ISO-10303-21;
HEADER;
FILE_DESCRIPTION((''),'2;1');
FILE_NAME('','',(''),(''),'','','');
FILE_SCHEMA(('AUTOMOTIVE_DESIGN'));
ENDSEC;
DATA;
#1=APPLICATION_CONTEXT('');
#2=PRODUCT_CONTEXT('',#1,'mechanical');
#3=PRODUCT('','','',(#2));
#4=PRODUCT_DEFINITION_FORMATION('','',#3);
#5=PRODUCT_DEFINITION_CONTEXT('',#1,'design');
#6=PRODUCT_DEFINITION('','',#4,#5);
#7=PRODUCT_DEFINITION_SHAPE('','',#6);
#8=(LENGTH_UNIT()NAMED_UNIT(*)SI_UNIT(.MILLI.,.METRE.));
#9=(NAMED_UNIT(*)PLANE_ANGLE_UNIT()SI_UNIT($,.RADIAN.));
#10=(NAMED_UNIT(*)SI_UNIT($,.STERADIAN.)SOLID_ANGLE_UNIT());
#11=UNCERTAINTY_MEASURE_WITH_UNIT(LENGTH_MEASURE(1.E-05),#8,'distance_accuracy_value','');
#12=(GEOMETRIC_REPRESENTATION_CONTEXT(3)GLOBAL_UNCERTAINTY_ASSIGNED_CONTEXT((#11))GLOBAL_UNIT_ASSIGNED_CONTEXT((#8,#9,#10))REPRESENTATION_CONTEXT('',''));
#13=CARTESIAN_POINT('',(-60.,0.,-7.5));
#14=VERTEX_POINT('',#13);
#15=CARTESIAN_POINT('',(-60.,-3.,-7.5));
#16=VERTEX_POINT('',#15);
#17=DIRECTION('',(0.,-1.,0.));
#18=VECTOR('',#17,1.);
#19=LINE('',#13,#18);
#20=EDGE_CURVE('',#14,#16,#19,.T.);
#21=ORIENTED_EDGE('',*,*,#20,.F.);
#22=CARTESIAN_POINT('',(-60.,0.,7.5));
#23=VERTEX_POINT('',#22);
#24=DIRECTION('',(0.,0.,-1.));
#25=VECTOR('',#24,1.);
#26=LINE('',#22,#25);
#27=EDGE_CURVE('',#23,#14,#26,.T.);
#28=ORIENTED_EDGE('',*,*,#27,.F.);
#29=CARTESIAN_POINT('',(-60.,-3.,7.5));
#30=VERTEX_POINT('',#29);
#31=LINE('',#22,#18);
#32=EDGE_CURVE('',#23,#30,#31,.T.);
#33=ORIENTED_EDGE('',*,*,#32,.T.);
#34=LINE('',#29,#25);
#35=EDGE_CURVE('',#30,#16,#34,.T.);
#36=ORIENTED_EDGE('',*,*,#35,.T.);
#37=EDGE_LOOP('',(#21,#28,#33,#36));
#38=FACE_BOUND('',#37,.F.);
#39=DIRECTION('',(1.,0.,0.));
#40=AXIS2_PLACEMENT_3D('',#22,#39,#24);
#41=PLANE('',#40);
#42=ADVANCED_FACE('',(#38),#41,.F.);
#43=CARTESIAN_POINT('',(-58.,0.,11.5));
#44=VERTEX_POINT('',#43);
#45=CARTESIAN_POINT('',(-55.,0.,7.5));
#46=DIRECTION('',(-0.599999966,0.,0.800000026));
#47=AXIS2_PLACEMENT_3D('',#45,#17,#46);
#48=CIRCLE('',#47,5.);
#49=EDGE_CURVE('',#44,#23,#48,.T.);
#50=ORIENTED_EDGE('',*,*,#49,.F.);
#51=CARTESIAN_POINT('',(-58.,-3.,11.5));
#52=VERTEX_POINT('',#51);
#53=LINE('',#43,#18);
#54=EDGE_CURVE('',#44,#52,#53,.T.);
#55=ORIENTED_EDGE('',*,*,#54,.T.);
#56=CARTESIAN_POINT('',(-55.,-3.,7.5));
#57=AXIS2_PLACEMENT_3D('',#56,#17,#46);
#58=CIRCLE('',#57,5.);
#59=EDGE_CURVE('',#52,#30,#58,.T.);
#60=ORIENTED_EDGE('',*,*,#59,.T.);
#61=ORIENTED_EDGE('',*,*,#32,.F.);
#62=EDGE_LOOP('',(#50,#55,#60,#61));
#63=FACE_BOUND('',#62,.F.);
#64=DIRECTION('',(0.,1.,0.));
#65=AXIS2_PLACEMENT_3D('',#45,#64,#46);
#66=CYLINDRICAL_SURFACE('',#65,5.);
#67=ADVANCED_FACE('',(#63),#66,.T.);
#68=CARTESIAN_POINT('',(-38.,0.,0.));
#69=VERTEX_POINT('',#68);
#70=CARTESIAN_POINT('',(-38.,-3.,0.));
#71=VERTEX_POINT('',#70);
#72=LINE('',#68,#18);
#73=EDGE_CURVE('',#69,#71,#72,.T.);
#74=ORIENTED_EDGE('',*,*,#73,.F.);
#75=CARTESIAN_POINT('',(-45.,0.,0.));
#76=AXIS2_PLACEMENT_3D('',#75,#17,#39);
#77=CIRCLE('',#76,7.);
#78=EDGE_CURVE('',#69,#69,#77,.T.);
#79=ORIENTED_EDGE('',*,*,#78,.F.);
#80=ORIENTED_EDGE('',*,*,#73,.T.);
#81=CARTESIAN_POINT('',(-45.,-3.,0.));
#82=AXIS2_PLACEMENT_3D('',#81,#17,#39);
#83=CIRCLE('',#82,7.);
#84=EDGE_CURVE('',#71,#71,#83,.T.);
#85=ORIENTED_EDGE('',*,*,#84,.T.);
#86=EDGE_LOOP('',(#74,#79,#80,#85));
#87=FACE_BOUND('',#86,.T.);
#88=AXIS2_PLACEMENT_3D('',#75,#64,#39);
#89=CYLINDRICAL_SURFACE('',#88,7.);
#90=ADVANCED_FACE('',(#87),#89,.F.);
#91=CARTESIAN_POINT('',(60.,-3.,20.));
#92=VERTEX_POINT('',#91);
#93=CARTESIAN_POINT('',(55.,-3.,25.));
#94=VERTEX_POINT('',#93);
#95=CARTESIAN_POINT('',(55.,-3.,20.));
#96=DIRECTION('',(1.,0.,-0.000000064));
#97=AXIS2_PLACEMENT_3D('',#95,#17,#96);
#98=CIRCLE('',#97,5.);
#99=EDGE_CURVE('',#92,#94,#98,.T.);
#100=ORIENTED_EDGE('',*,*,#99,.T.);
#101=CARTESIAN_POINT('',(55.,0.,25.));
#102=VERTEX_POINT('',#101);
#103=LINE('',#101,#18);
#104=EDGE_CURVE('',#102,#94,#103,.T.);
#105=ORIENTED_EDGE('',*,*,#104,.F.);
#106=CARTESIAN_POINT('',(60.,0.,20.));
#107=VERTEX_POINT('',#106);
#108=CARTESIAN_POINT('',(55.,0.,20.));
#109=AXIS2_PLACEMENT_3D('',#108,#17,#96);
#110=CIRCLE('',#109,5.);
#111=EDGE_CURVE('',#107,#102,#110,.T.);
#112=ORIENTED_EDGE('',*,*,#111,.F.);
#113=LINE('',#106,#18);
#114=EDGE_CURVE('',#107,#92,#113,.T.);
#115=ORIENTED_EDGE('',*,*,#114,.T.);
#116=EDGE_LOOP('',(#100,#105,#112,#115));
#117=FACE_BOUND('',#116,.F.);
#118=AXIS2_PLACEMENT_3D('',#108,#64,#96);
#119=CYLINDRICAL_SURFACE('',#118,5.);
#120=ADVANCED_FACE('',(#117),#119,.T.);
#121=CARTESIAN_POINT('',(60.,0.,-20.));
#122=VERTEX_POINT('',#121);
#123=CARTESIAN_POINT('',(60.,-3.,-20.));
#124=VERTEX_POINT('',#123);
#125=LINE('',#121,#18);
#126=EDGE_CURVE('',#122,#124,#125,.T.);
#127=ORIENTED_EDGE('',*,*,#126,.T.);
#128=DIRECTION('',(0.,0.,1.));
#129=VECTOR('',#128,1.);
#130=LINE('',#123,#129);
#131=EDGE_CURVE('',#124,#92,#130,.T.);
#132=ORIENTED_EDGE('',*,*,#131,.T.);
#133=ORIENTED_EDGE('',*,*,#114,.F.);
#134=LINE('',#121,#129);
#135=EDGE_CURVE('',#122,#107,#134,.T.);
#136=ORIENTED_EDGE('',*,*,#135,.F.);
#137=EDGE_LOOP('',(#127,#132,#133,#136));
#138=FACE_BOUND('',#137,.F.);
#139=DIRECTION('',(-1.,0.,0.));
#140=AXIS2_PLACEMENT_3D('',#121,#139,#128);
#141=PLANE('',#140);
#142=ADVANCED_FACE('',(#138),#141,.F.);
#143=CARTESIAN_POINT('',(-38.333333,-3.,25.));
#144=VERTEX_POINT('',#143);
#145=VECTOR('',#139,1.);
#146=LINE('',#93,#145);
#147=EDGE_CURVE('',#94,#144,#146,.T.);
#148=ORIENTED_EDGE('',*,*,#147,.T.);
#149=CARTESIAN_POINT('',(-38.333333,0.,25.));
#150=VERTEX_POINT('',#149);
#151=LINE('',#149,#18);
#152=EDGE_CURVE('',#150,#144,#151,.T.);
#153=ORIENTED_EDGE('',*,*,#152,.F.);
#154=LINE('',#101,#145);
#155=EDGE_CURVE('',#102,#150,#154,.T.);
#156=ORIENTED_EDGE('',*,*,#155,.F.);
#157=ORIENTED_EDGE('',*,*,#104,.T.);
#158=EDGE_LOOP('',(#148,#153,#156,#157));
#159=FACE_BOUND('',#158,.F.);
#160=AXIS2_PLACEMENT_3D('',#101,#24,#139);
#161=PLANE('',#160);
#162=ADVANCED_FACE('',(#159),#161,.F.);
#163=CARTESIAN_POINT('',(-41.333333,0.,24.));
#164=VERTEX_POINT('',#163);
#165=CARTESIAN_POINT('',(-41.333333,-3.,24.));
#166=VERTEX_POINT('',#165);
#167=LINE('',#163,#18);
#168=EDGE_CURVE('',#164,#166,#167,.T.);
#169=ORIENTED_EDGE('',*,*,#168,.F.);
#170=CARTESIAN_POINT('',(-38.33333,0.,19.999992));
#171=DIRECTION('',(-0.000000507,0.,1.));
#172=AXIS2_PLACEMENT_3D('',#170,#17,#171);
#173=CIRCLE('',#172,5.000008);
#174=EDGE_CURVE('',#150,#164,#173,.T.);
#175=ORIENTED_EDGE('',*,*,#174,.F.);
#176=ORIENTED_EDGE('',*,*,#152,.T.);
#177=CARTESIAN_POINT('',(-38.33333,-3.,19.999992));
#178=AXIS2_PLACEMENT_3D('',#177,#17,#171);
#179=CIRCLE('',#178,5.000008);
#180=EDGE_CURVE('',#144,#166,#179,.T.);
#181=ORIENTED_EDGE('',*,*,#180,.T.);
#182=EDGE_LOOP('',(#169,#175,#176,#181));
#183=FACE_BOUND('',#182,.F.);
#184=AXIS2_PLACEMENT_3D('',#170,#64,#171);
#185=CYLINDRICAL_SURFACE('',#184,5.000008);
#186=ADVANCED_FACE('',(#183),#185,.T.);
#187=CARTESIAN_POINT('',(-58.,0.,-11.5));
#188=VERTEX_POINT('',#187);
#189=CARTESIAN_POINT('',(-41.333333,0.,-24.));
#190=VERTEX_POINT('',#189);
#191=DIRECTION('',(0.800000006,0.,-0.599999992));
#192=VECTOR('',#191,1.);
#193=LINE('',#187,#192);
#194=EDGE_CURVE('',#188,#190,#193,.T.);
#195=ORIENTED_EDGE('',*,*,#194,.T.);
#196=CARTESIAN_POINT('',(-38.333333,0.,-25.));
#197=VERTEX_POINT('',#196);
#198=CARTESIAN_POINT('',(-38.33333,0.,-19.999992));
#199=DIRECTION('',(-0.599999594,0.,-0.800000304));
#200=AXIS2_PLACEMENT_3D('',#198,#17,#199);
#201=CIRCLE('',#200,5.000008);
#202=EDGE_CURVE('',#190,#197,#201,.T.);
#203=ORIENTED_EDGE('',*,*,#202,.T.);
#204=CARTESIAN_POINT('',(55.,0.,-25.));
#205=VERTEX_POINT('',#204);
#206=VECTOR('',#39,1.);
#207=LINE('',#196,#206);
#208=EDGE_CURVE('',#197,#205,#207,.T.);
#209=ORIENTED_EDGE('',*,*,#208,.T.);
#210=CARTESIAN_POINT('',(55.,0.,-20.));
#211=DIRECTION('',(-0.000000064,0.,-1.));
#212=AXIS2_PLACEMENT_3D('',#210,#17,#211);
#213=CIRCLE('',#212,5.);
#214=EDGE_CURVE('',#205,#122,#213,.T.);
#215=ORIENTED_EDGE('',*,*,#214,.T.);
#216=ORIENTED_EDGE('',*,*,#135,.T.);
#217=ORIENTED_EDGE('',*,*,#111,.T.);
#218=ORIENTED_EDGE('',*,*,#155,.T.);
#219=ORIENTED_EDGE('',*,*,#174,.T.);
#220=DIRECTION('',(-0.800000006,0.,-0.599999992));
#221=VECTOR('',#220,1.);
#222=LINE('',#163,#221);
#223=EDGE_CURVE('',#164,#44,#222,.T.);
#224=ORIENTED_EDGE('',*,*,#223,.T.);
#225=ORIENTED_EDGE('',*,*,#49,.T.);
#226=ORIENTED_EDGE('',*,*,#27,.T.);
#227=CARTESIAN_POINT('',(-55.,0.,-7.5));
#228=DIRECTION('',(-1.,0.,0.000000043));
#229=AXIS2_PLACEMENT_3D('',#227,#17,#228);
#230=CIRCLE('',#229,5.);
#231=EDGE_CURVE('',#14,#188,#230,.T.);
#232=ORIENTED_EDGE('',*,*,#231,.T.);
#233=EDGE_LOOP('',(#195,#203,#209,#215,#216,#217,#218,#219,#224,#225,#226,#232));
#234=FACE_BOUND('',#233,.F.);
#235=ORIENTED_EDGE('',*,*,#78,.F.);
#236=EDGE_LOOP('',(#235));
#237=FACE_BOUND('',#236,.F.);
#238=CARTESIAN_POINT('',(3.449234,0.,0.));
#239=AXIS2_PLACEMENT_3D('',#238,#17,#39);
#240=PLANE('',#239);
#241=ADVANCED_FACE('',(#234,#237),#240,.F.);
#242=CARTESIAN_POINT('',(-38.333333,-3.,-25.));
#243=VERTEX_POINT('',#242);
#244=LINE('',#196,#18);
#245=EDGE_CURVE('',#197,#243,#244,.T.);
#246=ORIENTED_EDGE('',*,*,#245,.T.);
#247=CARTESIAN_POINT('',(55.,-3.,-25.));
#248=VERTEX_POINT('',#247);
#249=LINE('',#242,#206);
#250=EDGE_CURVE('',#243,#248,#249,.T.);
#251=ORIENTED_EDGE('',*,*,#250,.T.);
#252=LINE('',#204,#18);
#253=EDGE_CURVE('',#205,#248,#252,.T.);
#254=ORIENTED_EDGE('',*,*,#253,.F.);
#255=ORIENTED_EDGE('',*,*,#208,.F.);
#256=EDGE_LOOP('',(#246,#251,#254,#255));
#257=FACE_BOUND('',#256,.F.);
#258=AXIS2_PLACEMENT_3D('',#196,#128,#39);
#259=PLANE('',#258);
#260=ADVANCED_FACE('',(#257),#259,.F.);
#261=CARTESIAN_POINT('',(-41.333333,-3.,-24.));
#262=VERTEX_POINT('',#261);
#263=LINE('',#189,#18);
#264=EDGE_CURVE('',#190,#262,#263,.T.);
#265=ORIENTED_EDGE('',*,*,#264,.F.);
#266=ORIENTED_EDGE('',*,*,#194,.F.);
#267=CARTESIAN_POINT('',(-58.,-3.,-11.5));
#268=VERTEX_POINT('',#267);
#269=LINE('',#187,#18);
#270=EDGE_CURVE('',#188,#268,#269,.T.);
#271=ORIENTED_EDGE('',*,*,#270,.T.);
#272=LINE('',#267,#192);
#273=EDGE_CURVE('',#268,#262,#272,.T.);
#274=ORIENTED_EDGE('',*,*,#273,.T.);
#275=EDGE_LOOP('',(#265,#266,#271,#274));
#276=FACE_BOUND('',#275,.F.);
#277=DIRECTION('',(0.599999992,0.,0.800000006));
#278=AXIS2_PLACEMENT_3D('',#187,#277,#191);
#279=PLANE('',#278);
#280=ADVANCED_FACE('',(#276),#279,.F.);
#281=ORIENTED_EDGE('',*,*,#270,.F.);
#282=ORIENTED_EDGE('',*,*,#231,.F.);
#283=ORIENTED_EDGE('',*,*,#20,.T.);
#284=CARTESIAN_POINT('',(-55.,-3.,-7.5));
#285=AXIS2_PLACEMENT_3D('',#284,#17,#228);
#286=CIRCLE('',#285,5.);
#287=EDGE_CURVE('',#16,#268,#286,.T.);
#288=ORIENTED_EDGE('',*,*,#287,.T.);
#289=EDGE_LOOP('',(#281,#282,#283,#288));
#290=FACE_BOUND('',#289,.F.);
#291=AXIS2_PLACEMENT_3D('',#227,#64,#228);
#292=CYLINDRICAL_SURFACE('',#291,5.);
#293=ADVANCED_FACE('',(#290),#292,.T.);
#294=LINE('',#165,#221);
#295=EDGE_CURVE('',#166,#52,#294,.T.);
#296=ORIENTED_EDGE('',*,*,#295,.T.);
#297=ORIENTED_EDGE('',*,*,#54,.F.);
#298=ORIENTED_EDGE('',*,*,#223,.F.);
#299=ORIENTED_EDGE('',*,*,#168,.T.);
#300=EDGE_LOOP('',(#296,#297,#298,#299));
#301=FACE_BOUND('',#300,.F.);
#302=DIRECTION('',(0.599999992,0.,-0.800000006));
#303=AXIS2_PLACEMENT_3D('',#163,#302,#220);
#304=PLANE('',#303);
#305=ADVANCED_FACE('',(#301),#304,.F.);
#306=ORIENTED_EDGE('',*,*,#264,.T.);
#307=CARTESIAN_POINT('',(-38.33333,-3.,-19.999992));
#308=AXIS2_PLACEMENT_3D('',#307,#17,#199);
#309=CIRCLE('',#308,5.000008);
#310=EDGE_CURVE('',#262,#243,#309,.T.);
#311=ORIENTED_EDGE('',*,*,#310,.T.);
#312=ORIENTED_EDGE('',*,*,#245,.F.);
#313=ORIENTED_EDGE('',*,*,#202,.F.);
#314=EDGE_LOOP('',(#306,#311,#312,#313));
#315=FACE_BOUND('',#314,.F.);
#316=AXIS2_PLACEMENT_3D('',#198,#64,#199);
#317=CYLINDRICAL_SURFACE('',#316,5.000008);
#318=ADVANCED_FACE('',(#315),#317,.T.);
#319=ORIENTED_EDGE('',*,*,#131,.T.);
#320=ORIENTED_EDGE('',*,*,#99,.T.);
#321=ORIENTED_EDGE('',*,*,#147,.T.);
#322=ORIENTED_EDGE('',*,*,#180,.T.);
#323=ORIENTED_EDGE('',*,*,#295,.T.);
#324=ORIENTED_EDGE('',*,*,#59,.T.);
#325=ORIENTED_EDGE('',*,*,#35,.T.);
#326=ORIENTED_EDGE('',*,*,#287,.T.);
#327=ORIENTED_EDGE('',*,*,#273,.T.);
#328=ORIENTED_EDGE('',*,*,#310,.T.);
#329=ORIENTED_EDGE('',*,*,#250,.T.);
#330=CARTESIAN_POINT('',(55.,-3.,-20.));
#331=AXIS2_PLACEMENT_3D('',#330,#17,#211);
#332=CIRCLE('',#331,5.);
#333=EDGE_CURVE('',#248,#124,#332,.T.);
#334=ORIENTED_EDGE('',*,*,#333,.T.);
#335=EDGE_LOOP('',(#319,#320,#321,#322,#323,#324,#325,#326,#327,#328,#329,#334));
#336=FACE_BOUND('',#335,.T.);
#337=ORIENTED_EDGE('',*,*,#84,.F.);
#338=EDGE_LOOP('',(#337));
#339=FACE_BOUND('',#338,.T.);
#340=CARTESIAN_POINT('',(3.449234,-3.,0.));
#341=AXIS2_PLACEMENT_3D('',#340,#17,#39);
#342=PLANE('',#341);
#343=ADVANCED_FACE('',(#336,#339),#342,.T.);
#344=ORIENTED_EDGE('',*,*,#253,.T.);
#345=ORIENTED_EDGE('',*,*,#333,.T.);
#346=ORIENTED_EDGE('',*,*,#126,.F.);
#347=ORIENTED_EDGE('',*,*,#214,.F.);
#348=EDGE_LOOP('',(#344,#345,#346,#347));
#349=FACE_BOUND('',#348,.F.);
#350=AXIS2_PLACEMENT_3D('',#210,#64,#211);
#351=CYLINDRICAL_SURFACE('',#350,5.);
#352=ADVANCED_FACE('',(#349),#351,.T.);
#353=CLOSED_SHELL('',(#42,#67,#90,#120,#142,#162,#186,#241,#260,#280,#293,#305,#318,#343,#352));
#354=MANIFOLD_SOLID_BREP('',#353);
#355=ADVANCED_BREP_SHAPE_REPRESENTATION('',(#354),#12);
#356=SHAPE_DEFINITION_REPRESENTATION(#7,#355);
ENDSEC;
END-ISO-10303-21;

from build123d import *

# Parameters (mm, degrees)
F0_R     = 7
F1_DEPTH = 3


with BuildPart() as f1:
    # F0 (on Front) → F1 (new body)
    with BuildSketch(Plane.XZ):
        with BuildLine():
            ThreePointArc((60, 20), (58.535534, 23.535534), (55, 25))
            Line((55, 25), (-38.333333, 25))
            ThreePointArc((-38.333333, 25), (-39.914472, 24.743416), (-41.333333, 24))
            Line((-41.333333, 24), (-58, 11.5))
            ThreePointArc((-58, 11.5), (-59.472136, 9.736068), (-60, 7.5))
            Line((-60, 7.5), (-60, -7.5))
            ThreePointArc((-60, -7.5), (-59.472136, -9.736068), (-58, -11.5))
            Line((-58, -11.5), (-41.333333, -24))
            ThreePointArc((-41.333333, -24), (-39.914472, -24.743416), (-38.333333, -25))
            Line((-38.333333, -25), (55, -25))
            ThreePointArc((55, -25), (58.535534, -23.535534), (60, -20))
            Line((60, -20), (60, 20))
        make_face()
        with Locations((-45, 0)):
            Circle(F0_R, mode=Mode.SUBTRACT)
    extrude(amount=F1_DEPTH)


solid = f1.part
